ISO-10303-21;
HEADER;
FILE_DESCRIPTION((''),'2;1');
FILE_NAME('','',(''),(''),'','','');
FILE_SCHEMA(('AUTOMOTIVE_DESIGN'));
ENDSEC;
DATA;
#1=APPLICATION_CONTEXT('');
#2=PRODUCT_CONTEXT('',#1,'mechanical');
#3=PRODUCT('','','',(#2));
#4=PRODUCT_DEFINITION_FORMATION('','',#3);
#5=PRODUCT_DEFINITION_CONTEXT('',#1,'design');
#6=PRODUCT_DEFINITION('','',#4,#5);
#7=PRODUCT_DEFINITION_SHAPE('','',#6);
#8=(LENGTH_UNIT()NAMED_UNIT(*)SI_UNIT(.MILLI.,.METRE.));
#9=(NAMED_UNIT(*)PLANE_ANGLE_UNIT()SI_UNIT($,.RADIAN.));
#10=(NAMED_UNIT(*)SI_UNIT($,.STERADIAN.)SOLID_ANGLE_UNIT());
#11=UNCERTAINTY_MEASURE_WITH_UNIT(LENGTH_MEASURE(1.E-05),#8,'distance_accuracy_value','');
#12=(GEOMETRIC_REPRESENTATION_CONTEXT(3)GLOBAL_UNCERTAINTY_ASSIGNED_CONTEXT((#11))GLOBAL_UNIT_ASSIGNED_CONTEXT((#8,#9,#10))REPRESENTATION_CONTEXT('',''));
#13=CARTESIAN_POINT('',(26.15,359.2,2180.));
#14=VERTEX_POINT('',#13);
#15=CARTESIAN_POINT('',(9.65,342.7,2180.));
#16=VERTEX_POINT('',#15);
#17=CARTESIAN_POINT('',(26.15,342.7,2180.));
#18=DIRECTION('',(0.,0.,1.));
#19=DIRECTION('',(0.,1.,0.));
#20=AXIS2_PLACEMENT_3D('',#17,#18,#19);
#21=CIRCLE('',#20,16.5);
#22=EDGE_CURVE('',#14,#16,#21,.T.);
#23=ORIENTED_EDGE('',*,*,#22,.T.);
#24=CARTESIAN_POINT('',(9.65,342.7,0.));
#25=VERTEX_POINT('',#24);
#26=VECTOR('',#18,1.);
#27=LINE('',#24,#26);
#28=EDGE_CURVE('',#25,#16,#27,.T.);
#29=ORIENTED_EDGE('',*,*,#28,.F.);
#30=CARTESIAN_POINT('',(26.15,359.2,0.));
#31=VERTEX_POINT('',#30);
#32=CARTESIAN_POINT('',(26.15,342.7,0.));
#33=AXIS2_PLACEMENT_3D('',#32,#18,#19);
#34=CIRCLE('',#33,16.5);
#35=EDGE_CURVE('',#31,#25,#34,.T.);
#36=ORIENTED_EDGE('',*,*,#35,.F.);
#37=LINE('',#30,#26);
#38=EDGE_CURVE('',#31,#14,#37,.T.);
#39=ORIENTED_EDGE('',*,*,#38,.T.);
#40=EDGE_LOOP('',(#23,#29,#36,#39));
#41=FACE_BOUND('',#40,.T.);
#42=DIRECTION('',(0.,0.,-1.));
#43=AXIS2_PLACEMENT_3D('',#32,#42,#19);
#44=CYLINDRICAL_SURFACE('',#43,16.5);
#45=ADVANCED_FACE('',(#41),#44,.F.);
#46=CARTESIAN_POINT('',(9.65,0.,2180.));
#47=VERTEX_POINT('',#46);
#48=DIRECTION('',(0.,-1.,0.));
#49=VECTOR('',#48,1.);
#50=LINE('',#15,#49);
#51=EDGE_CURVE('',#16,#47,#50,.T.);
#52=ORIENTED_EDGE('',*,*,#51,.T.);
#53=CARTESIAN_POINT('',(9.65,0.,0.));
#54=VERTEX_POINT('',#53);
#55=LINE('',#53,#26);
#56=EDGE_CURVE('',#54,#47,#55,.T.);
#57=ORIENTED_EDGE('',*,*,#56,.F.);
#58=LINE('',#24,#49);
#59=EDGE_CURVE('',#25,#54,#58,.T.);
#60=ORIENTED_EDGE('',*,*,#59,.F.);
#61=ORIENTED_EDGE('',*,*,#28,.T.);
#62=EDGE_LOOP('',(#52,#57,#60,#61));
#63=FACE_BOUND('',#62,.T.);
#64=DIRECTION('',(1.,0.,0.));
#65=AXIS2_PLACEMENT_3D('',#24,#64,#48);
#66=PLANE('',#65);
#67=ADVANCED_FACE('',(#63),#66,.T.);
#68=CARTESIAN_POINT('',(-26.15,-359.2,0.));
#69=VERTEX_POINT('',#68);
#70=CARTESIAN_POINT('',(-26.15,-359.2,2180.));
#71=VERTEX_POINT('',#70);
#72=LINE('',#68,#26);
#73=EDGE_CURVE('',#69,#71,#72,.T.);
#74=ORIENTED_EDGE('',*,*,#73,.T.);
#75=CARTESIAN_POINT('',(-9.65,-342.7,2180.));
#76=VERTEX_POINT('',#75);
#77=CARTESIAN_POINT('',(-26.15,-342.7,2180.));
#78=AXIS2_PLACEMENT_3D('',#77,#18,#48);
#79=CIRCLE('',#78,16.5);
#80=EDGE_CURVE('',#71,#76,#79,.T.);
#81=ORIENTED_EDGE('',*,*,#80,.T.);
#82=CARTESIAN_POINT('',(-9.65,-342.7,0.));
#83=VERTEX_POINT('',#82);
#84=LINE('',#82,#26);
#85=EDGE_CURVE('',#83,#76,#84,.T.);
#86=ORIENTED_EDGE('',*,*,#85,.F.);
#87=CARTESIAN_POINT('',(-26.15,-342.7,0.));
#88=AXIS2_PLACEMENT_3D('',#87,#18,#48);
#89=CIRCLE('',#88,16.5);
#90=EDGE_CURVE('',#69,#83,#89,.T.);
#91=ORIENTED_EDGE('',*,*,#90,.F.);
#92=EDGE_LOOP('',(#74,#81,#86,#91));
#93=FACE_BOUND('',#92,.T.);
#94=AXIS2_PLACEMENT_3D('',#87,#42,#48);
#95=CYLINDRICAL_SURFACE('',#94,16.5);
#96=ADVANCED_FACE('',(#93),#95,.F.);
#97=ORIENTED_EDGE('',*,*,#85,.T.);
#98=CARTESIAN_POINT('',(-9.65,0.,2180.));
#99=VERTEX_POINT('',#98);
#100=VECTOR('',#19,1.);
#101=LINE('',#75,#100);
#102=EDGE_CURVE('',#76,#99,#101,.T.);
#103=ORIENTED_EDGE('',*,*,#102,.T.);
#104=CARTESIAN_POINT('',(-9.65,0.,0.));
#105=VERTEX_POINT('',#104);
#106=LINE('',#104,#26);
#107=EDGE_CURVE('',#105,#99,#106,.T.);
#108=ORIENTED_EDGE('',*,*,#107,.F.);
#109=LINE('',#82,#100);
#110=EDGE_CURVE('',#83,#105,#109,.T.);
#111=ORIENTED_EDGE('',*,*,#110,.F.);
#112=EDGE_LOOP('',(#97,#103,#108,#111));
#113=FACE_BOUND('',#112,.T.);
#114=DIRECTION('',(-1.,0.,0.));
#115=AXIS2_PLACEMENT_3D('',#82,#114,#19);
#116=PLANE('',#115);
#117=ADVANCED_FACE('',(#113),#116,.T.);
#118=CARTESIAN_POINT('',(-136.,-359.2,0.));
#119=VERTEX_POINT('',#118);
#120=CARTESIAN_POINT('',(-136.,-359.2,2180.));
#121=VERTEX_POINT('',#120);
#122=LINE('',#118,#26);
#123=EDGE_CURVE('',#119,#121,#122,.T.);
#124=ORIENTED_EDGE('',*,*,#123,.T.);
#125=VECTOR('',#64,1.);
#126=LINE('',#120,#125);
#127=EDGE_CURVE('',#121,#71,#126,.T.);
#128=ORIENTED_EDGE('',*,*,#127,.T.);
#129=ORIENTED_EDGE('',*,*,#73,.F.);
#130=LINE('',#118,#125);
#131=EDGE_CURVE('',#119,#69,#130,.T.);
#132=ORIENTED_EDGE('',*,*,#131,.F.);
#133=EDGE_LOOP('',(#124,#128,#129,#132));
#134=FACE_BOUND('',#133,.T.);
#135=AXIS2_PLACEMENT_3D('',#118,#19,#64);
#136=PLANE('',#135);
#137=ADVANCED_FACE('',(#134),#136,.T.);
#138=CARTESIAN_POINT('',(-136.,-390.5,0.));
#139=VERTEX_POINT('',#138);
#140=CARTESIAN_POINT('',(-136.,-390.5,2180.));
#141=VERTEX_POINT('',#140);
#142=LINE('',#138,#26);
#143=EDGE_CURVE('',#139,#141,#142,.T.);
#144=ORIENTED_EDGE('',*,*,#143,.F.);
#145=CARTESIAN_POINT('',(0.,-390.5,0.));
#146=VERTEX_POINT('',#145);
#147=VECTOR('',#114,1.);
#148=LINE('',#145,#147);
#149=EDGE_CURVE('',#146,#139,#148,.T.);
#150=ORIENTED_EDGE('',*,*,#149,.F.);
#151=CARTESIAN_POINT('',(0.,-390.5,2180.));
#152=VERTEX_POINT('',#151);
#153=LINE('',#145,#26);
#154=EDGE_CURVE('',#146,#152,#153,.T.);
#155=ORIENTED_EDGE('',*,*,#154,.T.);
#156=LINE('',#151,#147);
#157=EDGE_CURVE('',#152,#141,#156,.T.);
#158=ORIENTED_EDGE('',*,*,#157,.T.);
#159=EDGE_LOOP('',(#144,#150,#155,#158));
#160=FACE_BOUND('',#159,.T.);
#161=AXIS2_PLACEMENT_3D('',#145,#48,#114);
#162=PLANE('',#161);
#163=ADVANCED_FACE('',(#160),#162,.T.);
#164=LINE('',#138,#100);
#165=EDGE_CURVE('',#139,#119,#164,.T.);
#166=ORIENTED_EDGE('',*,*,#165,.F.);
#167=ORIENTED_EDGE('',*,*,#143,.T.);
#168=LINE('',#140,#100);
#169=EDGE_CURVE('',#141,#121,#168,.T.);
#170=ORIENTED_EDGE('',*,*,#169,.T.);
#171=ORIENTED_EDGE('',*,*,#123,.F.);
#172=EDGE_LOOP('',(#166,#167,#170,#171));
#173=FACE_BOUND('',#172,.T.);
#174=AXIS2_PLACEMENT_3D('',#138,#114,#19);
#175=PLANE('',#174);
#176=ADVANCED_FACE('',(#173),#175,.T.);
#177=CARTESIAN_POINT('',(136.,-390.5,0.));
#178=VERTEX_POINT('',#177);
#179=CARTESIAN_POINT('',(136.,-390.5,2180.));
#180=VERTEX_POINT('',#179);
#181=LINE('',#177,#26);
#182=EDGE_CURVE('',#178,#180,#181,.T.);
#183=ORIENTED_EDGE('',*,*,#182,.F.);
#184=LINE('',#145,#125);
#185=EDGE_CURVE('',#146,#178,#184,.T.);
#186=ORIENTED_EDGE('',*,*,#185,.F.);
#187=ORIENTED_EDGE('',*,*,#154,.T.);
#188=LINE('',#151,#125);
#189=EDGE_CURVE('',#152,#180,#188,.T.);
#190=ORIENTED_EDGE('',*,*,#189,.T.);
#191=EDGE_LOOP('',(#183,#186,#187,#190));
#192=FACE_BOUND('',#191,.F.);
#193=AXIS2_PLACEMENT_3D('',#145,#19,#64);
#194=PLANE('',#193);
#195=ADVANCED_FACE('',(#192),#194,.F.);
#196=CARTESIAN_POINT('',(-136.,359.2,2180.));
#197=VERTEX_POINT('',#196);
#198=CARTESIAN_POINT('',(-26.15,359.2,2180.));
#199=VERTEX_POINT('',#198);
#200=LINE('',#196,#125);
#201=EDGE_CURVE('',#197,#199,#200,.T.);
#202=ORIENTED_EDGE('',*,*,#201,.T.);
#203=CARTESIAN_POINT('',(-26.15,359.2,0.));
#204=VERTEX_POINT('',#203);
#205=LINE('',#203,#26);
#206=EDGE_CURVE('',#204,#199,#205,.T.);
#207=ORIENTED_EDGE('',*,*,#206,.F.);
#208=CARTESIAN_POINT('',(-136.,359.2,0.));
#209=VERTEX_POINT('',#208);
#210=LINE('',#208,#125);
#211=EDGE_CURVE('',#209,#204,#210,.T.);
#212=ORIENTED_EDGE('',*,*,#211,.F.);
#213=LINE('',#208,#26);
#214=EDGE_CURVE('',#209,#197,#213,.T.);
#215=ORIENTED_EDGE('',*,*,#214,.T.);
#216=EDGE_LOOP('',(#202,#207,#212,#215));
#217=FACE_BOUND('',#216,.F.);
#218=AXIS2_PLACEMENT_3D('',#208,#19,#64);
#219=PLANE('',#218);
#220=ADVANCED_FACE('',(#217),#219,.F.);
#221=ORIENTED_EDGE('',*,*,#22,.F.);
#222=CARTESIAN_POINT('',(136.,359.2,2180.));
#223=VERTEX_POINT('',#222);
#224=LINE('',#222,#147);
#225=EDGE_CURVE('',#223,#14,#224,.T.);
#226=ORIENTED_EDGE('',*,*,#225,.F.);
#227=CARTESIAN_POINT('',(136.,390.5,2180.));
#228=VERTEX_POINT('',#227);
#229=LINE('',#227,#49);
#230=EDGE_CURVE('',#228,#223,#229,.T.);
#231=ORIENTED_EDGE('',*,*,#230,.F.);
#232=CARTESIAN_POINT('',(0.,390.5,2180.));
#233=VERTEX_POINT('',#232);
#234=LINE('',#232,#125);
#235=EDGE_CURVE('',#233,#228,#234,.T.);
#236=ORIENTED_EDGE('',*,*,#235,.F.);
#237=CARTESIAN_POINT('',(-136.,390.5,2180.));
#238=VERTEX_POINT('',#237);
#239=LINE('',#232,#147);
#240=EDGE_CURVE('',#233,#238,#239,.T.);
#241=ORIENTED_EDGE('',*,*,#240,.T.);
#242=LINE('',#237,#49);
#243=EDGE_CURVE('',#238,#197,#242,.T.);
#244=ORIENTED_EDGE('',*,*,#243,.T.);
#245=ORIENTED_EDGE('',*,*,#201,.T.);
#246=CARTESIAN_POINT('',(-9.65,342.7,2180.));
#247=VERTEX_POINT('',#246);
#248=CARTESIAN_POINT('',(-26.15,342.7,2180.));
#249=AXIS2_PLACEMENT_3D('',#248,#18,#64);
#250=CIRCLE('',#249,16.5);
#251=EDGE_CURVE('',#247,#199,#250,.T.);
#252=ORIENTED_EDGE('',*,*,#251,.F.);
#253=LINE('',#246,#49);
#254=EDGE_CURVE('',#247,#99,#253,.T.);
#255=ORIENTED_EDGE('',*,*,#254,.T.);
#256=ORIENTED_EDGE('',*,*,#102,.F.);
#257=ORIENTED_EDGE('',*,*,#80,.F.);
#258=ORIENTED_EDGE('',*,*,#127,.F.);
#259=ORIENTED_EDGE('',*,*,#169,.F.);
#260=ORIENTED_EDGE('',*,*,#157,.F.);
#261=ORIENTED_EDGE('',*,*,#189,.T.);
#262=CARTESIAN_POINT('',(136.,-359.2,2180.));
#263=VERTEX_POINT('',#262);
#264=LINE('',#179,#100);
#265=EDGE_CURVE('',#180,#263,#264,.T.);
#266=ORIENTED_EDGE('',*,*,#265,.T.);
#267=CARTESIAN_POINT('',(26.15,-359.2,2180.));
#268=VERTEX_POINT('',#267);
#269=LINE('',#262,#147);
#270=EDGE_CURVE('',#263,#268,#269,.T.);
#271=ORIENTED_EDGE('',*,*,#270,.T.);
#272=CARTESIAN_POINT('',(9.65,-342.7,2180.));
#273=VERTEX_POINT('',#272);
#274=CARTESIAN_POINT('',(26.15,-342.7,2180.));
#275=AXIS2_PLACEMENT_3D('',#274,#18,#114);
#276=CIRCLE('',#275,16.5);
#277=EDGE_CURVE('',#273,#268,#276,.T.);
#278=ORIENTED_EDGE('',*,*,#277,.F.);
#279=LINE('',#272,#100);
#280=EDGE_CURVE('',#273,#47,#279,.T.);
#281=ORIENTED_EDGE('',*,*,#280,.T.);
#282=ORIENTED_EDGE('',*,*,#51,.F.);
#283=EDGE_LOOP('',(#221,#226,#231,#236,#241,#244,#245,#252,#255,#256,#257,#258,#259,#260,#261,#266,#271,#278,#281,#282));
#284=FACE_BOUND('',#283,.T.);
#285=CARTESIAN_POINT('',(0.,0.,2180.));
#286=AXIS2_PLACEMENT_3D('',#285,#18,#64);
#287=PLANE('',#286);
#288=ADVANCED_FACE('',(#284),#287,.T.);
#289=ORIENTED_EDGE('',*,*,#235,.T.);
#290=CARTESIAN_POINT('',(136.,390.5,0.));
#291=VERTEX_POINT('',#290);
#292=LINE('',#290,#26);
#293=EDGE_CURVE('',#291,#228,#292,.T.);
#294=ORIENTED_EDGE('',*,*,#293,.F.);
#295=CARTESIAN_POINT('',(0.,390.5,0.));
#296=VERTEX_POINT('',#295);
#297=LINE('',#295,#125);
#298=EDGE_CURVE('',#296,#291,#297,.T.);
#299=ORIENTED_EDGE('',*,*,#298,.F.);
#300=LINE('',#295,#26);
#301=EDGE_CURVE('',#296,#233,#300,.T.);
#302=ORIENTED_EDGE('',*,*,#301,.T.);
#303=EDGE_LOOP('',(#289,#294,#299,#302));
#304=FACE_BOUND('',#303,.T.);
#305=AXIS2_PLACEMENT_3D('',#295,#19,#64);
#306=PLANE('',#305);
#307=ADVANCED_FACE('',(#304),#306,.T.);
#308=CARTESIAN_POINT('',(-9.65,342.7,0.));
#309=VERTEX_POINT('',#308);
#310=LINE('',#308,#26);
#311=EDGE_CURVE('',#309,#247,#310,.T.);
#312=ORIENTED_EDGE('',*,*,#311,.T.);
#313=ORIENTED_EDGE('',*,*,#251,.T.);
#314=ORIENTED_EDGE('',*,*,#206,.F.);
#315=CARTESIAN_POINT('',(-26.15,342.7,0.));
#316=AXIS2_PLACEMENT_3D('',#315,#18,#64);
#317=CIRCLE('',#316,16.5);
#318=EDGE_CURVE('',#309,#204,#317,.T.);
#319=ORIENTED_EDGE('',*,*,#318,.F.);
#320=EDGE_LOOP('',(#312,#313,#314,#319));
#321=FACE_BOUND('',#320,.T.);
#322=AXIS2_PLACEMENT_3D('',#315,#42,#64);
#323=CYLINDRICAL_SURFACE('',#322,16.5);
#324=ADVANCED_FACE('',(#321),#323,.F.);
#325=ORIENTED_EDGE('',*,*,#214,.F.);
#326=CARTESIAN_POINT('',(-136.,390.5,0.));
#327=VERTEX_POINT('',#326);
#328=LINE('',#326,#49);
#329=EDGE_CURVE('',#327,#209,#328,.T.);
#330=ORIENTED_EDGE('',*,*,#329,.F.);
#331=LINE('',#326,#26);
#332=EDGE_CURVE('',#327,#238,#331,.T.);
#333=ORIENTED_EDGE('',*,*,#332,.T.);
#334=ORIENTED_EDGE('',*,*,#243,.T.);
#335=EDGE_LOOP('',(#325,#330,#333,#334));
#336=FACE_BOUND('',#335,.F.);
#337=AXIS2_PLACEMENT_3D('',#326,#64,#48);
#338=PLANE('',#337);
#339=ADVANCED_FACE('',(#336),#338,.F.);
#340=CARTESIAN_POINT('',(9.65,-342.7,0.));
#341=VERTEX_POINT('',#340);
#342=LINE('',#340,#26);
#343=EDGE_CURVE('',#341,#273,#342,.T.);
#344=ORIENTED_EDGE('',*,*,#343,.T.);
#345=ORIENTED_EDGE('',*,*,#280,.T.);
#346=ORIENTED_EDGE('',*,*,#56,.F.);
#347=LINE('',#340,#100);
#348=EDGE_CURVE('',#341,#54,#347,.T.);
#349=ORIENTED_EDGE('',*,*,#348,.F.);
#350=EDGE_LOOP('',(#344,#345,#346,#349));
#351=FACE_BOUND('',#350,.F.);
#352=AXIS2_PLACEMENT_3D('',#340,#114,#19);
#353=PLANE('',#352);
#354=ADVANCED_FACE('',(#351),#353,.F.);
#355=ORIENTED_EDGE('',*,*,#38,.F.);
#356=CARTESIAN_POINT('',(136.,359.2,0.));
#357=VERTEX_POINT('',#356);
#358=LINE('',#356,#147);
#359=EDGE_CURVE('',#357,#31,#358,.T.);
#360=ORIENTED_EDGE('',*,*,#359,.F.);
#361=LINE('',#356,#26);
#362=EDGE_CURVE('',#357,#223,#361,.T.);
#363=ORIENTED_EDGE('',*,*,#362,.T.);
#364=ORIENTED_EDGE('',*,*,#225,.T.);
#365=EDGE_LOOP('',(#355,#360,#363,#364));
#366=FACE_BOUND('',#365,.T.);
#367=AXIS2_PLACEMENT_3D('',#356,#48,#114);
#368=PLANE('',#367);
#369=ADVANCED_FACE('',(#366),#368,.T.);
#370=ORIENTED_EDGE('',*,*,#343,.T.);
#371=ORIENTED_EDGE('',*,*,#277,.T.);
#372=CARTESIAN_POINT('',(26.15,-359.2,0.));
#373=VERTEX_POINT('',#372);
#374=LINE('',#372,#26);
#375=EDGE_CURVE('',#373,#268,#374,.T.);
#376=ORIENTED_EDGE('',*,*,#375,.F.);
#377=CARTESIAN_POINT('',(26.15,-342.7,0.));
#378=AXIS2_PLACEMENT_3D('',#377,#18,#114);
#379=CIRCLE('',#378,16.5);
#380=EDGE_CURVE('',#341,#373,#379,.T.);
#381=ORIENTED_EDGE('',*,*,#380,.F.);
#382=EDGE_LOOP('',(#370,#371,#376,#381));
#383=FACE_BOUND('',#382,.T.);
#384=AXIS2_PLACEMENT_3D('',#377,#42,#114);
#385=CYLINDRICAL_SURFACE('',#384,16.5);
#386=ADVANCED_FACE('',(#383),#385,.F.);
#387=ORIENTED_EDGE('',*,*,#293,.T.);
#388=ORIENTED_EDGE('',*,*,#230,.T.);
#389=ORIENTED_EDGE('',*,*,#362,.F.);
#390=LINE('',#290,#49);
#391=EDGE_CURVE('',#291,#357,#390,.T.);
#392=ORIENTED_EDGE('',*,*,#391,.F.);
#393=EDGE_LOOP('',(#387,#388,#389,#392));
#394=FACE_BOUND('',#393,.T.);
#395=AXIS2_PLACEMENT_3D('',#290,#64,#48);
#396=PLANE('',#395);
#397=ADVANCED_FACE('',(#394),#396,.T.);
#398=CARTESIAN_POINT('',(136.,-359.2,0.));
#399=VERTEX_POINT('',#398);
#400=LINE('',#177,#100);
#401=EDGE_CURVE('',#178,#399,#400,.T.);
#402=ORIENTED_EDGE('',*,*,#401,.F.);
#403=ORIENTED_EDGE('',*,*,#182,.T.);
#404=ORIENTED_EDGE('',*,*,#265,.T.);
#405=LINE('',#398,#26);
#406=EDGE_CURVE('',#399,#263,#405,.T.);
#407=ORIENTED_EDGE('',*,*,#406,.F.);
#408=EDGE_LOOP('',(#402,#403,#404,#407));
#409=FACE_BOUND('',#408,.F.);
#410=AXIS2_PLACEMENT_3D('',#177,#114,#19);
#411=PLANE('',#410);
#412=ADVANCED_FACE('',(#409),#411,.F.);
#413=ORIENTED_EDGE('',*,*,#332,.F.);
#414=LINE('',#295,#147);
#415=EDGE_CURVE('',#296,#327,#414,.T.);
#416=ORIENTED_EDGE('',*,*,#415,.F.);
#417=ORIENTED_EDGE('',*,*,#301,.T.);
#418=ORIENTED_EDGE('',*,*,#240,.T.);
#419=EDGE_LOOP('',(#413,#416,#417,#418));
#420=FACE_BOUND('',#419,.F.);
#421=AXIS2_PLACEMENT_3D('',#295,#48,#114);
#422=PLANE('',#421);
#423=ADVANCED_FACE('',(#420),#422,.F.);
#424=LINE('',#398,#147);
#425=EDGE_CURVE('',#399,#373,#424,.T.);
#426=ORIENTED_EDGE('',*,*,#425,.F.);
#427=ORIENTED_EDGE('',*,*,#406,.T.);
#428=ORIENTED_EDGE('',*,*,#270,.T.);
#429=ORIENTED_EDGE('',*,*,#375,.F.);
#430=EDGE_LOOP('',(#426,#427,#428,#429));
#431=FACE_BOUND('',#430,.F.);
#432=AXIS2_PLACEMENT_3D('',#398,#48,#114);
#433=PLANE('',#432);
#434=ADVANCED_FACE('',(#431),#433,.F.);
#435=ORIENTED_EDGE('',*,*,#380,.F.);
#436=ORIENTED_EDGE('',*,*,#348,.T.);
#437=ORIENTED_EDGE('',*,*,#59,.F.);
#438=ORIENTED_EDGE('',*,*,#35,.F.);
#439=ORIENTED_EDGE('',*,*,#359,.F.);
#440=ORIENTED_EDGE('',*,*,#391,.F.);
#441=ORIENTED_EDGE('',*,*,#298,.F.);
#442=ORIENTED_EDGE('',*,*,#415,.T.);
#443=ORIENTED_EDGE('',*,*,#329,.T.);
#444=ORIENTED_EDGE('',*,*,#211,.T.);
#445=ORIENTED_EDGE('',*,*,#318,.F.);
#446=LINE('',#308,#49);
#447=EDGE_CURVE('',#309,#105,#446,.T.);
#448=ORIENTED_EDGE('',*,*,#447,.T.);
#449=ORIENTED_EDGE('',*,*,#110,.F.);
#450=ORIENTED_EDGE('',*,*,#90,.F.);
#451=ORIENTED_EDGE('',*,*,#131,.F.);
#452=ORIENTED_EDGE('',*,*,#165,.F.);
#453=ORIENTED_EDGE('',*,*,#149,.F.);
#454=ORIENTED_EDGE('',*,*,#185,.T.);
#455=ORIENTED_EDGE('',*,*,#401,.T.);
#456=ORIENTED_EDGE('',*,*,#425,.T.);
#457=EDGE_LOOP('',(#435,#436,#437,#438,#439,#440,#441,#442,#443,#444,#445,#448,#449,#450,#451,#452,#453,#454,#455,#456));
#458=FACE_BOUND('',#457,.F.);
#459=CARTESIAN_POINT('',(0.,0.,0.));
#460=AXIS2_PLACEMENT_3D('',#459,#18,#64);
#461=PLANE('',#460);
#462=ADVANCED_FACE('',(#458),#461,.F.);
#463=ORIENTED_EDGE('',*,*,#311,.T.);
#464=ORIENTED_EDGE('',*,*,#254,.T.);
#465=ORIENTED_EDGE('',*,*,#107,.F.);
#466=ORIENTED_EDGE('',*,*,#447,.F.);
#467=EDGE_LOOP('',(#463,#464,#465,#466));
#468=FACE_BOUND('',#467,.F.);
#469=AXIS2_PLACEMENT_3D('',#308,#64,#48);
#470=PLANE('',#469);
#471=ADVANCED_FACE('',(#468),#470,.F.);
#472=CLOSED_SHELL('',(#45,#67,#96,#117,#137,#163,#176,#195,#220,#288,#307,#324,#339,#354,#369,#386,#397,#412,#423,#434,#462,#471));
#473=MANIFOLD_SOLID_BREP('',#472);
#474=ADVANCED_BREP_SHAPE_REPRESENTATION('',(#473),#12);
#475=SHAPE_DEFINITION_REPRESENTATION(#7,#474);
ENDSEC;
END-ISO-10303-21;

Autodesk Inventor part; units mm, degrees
ref_plane "YZ Plane" through (0, 0, 0) normal (1, 0, 0) x (0, 1, 0)
ref_plane "Start plane" through (0, 0, 0) normal (0, 0, 1) x (1, 0, 0)
ref_plane "End plane" through (0, 0, 2180) normal (0, 0, 1) x (1, 0, 0)
sketch "Sketch" plane through (0, 0, 0) normal (0, 0, 1) x (1, 0, 0)
  line L0 (-136, -390.5) -> (-136, -359.2)
  line L1 (-136, -359.2) -> (-26.15, -359.2)
  line L2 (-9.65, -342.7) -> (-9.65, 0)
  line L3 (-9.65, 0) -> (0, 0) construction
  line L4 (0, 0) -> (0, -390.5) construction
  line L5 (0, -390.5) -> (-136, -390.5)
  line L6 (-60, 0) -> (80, 0) construction
  line L7 (0, -60) -> (0, 80) construction
  line L8 (136, -390.5) -> (136, -359.2)
  line L9 (136, -359.2) -> (26.15, -359.2)
  line L10 (9.65, -342.7) -> (9.65, 0)
  line L11 (9.65, 0) -> (0, 0) construction
  line L12 (0, -390.5) -> (136, -390.5)
  line L13 (-136, 390.5) -> (-136, 359.2)
  line L14 (-136, 359.2) -> (-26.15, 359.2)
  line L15 (-9.65, 342.7) -> (-9.65, 0)
  line L16 (0, 390.5) -> (-136, 390.5)
  line L17 (136, 390.5) -> (136, 359.2)
  line L18 (136, 359.2) -> (26.15, 359.2)
  line L19 (0, 390.5) -> (136, 390.5)
  line L20 (9.65, 342.7) -> (9.65, 0)
  arc A0 (-9.65, 342.7) -> (-26.15, 359.2) centre (-26.15, 342.7) ccw
  arc A1 (26.15, 359.2) -> (9.65, 342.7) centre (26.15, 342.7) ccw
  arc A2 (9.65, -342.7) -> (26.15, -359.2) centre (26.15, -342.7) ccw
  arc A3 (-26.15, -359.2) -> (-9.65, -342.7) centre (-26.15, -342.7) ccw
  line L21 (0, 108) -> (0, -88) construction
  line L22 (-88, 0) -> (108, 0) construction
  point P0 (-9.65, -359.2)
  point P1 (9.65, -359.2)
  point P2 (-9.65, 359.2)
  point P3 (9.65, 359.2)
  dimension "d1" = 390.5
  dimension "d2" = 31.3
  dimension "d3" = 136
  dimension "d4" = 9.65
  dimension "d10" = 16.5
extrude "Body" add sketch "Sketch" along normal up to surface (2180 mm away) from surface at 0
sketch "Sketch4" plane through (0, 0, 0) normal (0, 0, 1) x (1, 0, 0)
  line L0 (0, 0) -> (10, 0)
ref_plane "Work Plane3" through (0, 0, 0) normal (0, -1, 0) x (1, 0, 0)
sketch "Sketch5" plane through (0, 0, 0) normal (0, -1, 0) x (1, 0, 0)
  line L0 (-2, 0) -> (12, 0) projected
  line L1 (-2, 2180) -> (12, 2180) projected
  dimension "d14" = 2180
equation "\"d1\" = 0.5 * G_H"
equation "\"d2\" = G_T1"
equation "\"d3\" = 0.5 * G_W"
equation "\"d4\" = 0.5 * G_T"
equation "\"d10\" = G_IR"
equation "\"d5\" = G_L"
equation "\"G_W\" = 272"
equation "\"G_H\" = 781"
equation "\"G_T\" = 19.3"
equation "\"G_T1\" = 31.3"
equation "\"G_IR\" = 16.5"
equation "\"G_L\" = d14"
equation "\"G_OFFSET_START\" = 0"
equation "\"G_OFFSET_END\" = 0"
properties part number "AS 3679-1990 - 760 UB - 244 - 2180" material "Steel, Mild"
